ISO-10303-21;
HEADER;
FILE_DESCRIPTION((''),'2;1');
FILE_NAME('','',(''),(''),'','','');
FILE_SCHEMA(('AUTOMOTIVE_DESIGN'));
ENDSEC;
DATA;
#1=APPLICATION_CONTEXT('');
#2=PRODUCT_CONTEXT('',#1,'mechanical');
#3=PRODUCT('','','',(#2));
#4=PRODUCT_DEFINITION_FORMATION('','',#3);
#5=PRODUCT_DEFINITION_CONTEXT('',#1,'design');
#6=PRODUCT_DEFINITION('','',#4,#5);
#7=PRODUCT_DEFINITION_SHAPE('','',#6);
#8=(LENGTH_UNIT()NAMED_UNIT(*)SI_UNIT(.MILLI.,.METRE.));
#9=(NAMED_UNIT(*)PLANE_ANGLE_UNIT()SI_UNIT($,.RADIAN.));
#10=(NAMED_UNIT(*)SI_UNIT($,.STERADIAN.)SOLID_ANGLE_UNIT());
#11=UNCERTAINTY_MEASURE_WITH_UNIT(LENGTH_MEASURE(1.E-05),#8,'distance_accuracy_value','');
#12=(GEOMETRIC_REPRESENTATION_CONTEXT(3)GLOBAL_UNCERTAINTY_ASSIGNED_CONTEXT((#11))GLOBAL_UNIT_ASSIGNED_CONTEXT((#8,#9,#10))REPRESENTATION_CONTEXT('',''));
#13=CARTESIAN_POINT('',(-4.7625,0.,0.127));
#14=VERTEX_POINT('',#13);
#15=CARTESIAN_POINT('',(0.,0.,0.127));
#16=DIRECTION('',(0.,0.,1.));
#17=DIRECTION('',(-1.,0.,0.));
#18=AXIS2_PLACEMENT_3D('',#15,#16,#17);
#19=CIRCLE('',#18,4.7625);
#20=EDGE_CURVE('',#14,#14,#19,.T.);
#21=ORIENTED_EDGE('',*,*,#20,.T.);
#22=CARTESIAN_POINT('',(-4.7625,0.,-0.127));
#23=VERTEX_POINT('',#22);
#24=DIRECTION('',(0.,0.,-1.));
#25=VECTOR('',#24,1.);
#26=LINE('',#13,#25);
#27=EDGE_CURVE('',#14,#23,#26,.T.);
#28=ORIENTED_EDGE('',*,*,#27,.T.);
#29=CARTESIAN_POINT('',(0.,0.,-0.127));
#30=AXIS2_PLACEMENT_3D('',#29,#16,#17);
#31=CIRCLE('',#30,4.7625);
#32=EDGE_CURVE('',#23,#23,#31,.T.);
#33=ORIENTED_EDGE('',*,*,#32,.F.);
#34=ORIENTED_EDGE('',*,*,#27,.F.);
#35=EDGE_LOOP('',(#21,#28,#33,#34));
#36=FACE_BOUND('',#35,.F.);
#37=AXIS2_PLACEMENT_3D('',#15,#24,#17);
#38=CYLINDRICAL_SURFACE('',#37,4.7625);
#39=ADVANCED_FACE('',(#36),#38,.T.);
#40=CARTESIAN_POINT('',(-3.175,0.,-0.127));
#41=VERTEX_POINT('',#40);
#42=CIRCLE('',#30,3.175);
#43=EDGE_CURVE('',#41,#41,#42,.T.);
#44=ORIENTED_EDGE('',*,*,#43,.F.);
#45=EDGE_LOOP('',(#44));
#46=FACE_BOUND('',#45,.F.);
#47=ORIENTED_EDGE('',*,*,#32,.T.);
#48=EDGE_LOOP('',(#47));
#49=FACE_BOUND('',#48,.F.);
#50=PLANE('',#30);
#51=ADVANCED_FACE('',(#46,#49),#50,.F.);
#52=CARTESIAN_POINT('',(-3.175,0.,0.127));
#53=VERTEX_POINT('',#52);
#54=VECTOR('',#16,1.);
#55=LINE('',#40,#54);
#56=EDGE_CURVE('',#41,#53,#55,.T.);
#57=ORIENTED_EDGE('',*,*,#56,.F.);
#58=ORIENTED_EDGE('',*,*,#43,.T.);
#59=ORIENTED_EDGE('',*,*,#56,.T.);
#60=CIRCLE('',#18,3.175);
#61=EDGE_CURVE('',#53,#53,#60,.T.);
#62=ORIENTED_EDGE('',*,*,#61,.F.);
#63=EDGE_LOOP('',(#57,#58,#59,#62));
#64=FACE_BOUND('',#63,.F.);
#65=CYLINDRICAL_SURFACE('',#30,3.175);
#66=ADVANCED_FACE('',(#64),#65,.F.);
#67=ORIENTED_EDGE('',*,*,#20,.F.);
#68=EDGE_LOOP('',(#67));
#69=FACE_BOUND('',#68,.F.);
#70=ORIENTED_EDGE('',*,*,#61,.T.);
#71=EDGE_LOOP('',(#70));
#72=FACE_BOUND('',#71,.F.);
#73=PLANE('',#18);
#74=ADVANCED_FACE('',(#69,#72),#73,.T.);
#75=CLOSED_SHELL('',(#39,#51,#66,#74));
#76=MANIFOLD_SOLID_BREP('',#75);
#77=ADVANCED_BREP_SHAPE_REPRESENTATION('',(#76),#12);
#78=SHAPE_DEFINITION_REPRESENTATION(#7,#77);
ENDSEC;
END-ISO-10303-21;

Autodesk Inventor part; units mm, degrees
ref_plane "YZ Plane" through (0, 0, 0) normal (1, 0, 0) x (0, 1, 0)
ref_plane "XZ Plane" through (0, 0, 0) normal (0, 1, 0) x (-1, 0, 0)
ref_plane "XY Plane" through (0, 0, 0) normal (0, 0, 1) x (1, 0, 0)
sketch "Sketch2" plane through (0, 0, 0) normal (0, 1, 0) x (-1, 0, 0)
  line L0 (3.175, -0.127) -> (3.175, 0.127)
  line L1 (3.175, 0.127) -> (4.7625, 0.127)
  line L2 (4.7625, 0.127) -> (4.7625, -0.127)
  line L3 (4.7625, -0.127) -> (3.175, -0.127)
  line L4 (0, -0.1778) -> (0, 0.1778) construction
  point P0 (0, 0)
  point P1 (3.175, 0)
  dimension "d0" = 6.35
  dimension "d1" = 9.525
  dimension "d2" = 0.254
revolve "Revolution1" add sketch "Sketch2" angle 360 about axis through (0, 0, -10) along (0, 0, 1)
properties part number "SPACER,BEARING,SLIDE,THIN,ELEVATOR" material "3D Print Material - chopped carbon Nylon12 (preferred)"
